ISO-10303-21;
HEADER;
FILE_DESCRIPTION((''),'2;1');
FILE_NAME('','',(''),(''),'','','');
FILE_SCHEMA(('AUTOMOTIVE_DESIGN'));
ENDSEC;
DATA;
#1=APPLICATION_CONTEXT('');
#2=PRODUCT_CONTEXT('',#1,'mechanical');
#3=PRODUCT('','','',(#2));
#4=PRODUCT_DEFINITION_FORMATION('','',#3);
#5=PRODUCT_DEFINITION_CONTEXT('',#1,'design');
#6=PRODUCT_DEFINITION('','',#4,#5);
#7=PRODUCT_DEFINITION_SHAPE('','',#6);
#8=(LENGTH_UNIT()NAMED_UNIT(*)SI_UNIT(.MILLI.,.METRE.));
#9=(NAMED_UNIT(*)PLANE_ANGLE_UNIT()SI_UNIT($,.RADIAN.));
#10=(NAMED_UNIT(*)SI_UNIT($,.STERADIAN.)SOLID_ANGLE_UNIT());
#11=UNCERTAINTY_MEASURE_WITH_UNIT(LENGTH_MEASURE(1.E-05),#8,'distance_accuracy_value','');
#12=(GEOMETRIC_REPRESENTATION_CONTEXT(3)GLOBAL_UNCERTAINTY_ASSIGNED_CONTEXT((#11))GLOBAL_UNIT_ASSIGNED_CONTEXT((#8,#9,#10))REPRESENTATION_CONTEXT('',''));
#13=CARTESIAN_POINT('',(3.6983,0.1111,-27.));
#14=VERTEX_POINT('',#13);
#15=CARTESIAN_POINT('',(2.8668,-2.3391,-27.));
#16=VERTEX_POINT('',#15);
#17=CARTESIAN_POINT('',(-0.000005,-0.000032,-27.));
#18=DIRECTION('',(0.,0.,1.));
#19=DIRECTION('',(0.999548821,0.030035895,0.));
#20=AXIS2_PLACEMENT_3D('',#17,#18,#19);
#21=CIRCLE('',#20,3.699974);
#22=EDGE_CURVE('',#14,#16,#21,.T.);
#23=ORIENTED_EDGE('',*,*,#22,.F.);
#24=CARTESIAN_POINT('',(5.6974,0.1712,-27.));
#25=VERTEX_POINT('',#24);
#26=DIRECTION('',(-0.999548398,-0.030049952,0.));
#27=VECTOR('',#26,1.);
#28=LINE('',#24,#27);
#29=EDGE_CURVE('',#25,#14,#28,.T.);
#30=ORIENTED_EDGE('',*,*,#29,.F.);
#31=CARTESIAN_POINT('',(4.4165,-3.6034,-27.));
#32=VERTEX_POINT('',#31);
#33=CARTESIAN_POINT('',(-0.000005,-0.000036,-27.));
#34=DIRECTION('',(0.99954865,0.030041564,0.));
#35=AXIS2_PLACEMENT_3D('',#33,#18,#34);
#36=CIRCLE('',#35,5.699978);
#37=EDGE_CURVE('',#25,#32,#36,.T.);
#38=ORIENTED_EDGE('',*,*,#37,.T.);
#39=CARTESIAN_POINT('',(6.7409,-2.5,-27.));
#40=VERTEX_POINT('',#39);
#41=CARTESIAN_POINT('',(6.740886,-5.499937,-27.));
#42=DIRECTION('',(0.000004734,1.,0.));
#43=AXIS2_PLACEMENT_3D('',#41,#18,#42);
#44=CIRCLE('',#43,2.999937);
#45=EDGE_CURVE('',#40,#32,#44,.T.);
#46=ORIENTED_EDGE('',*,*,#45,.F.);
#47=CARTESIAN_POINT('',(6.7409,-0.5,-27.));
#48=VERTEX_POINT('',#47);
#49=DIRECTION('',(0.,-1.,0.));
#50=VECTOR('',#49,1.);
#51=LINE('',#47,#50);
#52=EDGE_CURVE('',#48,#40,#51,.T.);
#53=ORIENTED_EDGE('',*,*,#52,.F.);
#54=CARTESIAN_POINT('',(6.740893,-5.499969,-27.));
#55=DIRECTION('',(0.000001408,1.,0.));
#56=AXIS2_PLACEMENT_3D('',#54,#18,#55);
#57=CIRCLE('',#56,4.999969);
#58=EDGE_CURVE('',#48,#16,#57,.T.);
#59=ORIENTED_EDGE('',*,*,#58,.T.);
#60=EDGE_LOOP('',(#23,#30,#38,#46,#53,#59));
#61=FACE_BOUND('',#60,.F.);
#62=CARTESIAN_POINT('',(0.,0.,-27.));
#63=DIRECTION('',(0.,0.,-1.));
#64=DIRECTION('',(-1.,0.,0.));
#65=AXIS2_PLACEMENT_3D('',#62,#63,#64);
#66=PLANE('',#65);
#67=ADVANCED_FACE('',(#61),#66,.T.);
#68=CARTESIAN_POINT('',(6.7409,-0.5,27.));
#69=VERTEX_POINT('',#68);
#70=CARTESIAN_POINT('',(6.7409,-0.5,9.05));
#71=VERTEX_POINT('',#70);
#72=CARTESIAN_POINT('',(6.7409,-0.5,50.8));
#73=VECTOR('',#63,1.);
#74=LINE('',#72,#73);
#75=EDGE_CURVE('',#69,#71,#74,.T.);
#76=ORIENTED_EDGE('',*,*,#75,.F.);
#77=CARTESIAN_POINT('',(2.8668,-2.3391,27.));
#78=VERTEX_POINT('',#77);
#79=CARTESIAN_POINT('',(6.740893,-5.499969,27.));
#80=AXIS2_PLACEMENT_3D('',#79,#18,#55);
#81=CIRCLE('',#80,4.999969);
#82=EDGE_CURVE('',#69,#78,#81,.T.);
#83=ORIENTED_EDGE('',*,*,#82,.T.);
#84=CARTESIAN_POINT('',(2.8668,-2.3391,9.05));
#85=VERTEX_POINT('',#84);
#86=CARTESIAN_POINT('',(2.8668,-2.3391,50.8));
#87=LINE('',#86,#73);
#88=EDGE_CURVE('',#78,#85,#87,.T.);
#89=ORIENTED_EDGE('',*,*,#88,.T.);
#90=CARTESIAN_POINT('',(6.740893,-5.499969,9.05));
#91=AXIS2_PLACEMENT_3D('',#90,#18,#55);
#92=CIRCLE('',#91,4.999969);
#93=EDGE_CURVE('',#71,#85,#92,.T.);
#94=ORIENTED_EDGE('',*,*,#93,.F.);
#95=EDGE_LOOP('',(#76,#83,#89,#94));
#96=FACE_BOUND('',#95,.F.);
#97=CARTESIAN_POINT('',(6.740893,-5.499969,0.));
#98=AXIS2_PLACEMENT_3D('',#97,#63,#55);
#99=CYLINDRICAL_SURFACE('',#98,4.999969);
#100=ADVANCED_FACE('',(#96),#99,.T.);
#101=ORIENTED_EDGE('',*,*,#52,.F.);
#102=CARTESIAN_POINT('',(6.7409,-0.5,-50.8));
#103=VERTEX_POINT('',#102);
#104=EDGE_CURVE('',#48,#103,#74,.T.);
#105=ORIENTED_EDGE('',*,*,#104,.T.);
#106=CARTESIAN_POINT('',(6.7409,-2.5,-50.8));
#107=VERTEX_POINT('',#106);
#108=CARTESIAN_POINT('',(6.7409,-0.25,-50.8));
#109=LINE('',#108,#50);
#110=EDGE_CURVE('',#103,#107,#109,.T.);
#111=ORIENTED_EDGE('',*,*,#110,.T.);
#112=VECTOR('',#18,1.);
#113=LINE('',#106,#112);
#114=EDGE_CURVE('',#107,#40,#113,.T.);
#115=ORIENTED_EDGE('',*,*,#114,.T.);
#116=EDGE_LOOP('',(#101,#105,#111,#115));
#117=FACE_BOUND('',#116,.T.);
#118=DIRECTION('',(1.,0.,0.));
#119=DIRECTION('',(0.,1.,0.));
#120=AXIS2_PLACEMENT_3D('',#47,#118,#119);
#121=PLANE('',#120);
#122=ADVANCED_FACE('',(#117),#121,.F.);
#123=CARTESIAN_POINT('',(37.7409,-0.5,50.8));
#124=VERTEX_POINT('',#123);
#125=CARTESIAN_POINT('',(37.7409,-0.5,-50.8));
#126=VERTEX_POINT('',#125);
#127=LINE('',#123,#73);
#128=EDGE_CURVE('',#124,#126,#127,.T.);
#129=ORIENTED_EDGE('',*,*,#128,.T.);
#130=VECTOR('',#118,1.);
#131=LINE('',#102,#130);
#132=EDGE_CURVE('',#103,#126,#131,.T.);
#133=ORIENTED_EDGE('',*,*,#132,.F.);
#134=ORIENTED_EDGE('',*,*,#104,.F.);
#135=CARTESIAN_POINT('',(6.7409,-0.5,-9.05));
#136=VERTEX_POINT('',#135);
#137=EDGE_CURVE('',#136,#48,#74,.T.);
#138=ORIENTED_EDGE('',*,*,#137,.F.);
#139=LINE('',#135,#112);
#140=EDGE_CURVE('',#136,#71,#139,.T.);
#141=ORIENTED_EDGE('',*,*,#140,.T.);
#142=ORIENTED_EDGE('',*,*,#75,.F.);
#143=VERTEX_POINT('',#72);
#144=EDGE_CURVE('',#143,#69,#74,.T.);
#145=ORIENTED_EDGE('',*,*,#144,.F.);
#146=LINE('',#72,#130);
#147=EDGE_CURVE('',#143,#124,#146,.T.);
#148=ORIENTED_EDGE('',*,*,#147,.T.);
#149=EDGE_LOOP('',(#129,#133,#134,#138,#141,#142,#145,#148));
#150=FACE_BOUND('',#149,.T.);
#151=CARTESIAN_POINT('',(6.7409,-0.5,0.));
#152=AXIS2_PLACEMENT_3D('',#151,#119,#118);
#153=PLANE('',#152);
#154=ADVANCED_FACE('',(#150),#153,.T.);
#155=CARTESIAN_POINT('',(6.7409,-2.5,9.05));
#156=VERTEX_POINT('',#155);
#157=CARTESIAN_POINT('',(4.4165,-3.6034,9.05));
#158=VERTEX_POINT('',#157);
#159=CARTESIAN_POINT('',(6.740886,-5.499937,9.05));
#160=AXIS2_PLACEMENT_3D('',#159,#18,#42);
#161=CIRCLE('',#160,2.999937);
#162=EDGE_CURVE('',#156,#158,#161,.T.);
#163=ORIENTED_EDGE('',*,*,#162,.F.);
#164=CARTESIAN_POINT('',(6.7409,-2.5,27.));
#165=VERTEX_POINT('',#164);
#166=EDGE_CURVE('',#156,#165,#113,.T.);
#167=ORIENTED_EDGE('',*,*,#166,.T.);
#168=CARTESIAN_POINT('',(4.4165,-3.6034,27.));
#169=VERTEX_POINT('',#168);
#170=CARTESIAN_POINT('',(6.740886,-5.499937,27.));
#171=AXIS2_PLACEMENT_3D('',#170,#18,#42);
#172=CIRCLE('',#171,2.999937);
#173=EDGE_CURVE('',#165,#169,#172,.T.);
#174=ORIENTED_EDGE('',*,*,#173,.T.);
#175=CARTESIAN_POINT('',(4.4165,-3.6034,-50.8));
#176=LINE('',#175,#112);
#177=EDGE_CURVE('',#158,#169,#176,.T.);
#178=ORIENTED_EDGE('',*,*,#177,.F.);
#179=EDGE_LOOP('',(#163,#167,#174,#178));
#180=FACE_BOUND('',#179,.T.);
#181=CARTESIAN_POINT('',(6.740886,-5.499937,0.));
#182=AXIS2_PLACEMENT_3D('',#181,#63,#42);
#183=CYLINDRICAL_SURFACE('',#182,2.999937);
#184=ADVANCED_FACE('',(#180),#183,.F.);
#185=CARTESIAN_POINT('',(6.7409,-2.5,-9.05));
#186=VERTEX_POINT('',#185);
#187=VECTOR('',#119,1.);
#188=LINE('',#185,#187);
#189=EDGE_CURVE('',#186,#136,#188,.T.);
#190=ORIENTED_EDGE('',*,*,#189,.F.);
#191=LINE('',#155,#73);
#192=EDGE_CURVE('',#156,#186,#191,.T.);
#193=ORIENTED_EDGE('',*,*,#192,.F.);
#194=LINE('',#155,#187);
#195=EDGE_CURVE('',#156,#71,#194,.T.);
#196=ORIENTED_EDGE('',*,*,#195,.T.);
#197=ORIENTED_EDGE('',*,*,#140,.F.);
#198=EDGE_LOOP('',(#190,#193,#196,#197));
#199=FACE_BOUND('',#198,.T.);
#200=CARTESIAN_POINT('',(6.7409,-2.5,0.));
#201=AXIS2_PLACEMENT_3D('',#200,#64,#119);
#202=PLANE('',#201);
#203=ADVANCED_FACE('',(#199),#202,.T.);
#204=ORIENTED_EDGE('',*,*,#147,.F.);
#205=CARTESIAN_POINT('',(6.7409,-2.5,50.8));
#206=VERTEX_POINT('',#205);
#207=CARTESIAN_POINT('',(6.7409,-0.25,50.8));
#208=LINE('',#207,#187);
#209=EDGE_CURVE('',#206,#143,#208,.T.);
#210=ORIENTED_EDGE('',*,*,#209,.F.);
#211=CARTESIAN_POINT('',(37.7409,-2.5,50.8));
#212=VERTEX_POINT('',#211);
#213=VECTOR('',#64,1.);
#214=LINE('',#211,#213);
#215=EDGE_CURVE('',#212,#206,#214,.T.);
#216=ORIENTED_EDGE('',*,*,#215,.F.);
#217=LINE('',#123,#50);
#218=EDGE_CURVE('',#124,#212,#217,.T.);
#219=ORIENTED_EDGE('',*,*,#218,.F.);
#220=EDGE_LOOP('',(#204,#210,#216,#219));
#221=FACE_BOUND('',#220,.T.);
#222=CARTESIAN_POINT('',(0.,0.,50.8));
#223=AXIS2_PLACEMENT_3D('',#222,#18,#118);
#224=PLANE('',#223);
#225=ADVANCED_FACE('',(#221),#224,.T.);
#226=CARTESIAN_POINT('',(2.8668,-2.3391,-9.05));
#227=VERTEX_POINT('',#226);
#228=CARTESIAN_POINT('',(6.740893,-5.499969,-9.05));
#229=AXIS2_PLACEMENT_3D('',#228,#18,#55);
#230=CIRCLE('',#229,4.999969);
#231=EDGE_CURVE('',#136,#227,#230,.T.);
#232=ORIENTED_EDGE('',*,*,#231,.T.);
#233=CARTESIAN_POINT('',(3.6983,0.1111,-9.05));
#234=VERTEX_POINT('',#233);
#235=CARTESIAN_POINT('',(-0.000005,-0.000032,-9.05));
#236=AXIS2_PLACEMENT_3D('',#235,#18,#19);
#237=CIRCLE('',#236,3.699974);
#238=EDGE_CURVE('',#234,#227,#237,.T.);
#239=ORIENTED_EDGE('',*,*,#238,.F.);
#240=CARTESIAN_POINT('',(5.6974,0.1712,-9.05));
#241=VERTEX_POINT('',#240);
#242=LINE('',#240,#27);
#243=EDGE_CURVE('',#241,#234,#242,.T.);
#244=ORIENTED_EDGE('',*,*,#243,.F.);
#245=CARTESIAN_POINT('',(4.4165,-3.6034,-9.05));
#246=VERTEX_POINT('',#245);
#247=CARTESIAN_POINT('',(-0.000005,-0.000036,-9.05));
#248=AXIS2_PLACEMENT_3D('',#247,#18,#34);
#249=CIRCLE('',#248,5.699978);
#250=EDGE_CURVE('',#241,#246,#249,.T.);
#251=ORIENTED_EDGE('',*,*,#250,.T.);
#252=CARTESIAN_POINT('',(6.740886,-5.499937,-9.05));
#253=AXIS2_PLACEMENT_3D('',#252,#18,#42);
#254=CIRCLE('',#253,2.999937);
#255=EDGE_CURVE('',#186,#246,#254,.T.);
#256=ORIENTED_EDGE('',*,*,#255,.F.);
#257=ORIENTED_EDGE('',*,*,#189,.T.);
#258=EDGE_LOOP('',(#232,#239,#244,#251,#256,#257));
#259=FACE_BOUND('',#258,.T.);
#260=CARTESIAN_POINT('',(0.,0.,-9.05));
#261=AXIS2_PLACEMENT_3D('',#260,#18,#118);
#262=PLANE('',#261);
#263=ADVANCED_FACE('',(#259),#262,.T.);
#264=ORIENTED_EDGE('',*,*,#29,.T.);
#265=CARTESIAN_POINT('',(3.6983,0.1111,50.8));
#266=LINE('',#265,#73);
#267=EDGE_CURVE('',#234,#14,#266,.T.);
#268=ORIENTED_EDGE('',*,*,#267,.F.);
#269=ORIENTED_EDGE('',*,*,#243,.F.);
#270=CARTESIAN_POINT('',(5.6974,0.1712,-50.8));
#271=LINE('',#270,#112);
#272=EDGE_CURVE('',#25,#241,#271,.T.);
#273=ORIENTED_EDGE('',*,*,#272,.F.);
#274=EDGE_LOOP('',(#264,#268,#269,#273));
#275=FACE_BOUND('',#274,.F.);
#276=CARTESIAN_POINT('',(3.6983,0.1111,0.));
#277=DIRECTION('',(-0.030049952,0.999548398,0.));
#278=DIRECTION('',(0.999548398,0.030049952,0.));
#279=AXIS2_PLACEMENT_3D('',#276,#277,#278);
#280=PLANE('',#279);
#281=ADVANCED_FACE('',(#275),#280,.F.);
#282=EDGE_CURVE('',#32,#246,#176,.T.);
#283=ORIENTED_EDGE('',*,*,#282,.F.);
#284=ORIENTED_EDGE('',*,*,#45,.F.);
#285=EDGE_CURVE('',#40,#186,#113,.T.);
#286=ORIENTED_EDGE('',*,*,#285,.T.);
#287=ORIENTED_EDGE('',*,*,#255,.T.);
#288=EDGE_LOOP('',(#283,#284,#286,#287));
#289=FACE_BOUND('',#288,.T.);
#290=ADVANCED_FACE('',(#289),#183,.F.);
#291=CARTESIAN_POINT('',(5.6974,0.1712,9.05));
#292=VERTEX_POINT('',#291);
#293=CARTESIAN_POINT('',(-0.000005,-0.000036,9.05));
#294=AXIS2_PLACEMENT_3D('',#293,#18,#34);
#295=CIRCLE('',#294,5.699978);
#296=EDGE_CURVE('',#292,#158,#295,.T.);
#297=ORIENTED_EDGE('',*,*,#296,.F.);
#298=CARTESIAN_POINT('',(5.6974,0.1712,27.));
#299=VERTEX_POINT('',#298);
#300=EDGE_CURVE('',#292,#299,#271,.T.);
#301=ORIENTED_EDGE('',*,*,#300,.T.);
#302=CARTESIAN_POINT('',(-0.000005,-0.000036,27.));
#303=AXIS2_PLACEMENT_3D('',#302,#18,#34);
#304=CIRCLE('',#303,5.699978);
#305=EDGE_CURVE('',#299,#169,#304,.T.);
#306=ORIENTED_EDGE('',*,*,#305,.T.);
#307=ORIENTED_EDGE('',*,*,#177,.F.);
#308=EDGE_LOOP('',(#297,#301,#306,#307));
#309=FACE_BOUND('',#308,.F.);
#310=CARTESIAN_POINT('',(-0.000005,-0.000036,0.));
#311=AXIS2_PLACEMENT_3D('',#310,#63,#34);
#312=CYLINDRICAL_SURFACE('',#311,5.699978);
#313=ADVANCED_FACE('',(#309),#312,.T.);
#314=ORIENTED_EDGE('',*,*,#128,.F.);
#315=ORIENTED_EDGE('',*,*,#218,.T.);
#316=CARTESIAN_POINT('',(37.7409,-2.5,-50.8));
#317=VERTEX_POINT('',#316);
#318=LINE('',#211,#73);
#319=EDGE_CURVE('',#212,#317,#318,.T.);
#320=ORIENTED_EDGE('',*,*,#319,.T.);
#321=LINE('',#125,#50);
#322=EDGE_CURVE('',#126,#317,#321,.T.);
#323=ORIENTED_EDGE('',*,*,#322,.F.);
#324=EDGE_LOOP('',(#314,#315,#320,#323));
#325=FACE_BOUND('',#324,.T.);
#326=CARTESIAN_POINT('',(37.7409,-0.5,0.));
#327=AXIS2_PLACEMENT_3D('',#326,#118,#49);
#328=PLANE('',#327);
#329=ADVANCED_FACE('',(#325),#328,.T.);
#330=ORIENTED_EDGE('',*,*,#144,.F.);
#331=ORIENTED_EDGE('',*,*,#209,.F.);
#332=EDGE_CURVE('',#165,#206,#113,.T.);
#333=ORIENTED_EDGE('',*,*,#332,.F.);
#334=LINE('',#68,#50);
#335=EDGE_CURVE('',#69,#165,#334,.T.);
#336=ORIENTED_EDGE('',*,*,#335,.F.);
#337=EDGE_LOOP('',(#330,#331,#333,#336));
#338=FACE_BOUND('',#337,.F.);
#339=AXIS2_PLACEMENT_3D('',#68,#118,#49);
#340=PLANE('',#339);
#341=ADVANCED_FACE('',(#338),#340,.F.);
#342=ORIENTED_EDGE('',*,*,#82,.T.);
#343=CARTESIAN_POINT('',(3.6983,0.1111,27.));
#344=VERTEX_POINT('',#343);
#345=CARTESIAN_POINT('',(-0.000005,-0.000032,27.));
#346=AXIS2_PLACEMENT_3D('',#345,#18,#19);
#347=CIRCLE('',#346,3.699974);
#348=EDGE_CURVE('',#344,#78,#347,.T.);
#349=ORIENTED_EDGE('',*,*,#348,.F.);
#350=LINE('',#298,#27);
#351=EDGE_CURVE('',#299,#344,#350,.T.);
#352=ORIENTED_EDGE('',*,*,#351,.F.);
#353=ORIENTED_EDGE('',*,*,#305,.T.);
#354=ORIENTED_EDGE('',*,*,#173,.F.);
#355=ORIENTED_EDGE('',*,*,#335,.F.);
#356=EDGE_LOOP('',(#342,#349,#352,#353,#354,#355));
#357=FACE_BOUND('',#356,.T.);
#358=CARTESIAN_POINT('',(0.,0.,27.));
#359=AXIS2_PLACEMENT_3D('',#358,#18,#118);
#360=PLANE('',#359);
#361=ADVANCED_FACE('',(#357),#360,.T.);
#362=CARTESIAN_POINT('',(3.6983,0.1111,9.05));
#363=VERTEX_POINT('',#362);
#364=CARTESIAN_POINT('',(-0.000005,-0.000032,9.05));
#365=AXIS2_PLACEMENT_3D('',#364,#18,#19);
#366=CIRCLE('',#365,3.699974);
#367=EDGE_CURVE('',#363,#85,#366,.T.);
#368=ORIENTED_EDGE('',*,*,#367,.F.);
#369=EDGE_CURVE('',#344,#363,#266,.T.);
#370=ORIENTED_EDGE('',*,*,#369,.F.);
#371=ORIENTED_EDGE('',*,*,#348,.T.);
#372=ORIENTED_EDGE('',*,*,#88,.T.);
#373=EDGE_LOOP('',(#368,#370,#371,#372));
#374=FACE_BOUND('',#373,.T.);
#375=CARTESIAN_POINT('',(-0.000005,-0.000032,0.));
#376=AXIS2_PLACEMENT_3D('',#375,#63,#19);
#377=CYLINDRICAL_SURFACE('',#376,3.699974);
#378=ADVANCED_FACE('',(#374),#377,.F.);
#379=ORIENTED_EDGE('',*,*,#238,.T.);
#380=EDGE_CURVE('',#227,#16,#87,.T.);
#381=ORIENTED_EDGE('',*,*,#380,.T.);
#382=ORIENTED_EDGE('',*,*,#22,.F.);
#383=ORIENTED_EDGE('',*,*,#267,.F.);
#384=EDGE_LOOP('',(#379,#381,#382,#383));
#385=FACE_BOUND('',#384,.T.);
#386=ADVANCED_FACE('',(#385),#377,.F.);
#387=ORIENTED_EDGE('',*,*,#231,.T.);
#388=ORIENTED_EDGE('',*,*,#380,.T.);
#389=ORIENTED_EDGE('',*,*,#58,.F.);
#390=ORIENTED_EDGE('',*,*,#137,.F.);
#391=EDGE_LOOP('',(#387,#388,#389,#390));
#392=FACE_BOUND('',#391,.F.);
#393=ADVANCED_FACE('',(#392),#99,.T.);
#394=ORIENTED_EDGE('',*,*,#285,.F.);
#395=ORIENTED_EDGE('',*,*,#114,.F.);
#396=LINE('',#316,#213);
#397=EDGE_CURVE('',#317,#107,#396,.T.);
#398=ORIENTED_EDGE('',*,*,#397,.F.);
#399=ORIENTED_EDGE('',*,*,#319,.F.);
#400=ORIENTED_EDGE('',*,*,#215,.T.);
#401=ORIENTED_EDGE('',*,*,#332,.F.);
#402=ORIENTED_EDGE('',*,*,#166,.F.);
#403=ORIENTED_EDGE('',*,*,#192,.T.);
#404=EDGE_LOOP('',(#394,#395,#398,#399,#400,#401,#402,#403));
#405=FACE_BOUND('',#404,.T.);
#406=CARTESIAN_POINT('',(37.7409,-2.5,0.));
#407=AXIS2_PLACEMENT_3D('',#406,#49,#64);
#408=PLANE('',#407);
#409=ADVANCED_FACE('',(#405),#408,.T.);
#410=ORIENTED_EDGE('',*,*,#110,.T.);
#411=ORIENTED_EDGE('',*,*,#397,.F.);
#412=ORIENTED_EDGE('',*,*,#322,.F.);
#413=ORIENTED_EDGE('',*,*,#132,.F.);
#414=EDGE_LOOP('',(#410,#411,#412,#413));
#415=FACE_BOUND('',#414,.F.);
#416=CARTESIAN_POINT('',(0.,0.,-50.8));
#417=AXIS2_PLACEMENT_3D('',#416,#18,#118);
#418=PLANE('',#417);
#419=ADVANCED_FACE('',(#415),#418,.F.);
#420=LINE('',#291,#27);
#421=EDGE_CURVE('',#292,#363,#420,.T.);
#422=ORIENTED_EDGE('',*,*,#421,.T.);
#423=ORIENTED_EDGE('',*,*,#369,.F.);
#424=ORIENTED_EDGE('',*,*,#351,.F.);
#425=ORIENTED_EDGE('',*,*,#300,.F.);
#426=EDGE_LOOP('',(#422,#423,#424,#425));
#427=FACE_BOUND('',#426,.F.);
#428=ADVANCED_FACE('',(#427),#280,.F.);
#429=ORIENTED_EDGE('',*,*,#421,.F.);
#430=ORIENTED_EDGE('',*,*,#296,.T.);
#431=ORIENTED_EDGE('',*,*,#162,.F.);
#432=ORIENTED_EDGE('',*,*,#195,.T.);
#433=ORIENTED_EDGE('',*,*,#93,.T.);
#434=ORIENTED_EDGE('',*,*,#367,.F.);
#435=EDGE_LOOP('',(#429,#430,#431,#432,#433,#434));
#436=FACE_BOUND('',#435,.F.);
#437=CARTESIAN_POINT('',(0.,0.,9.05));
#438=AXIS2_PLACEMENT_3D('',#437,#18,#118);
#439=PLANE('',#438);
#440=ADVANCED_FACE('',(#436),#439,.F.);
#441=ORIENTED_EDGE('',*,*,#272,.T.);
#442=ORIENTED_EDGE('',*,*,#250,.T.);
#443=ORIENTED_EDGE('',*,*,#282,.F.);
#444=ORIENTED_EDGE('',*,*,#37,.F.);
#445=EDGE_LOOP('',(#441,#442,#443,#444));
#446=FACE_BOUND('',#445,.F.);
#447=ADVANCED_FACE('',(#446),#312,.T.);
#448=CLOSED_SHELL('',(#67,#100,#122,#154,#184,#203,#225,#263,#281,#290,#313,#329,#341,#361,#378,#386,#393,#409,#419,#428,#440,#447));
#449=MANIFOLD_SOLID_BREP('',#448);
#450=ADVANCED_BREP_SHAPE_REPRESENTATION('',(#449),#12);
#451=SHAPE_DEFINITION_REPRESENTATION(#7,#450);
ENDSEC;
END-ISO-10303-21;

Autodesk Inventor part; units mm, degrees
ref_plane "YZ Plane" through (0, 0, 0) normal (1, 0, 0) x (0, 1, 0)
ref_plane "XZ Plane" through (0, 0, 0) normal (0, 1, 0) x (-1, 0, 0)
sketch "Sketch1" plane through (0, 0, 0) normal (0, 0, 1) x (1, 0, 0)
  arc A0 (5.6974, 0.1712) -> (4.4165, -3.6034) centre (0, 0) ccw
  line L0 (37.7409, -2.5) -> (6.7409, -2.5)
  arc A1 (3.6983, 0.1111) -> (2.8668, -2.3391) centre (0, 0) ccw
  line L1 (6.7409, -0.5) -> (37.7409, -0.5)
  line L2 (37.7409, -0.5) -> (37.7409, -2.5)
  arc A2 (6.7409, -2.5) -> (4.4165, -3.6034) centre (6.7409, -5.5) ccw
  arc A3 (6.7409, -0.5) -> (2.8668, -2.3391) centre (6.7409, -5.5) ccw
  line L3 (3.6983, 0.1111) -> (5.6974, 0.1712)
  point P0 (5.1225, -2.5)
  dimension "d0" = 11.4
  dimension "d1" = 2
  dimension "d2" = 3
  dimension "d3" = 5
  dimension "d4" = 2
  dimension "d5" = 31
  dimension "d8" = 0.5
  dimension "d9" = 0.7
extrude "Extrusion1" add sketch "Sketch1" along normal mid plane 101.6
ref_plane "Work Plane1" through (0, 0, 27) normal (0, 0, 1) x (1, 0, 0)
sketch "Sketch2" plane through (0, 0, 27) normal (0, 0, 1) x (1, 0, 0)
  arc A0 (6.7409, -2.5) -> (4.4165, -3.6034) centre (6.7409, -5.5) ccw projected
  arc A1 (5.6974, 0.1712) -> (4.4165, -3.6034) centre (0, 0) ccw projected
  line L0 (5.6974, 0.1712) -> (3.6983, 0.1111) projected
  arc A2 (3.6983, 0.1111) -> (2.8668, -2.3391) centre (0, 0) ccw projected
  arc A3 (6.7409, -0.5) -> (2.8668, -2.3391) centre (6.7409, -5.5) ccw projected
  line L1 (6.7409, -0.5) -> (37.7409, -0.5) construction
  line L2 (37.7409, -0.5) -> (37.7409, -2.5) construction
  line L3 (37.7409, -2.5) -> (6.7409, -2.5) construction
  line L4 (6.7409, -0.5) -> (6.7409, -2.5)
extrude "Extrusion2" cut sketch "Sketch2" along normal through all
mirror "Mirror1" about plane through (0, 0, 0) normal (0, 0, 1) of "Extrusion2"
sketch "Sketch3" plane through (0, 0, 0) normal (0, 0, 1) x (1, 0, 0)
  arc A0 (6.7409, -0.5) -> (2.8668, -2.3391) centre (6.7409, -5.5) ccw projected
  line L0 (6.7409, -0.5) -> (37.7409, -0.5) construction
  line L1 (37.7409, -0.5) -> (37.7409, -2.5) projected
  line L2 (37.7409, -2.5) -> (6.7409, -2.5) construction
  arc A1 (6.7409, -2.5) -> (4.4165, -3.6034) centre (6.7409, -5.5) ccw projected
  arc A2 (5.6974, 0.1712) -> (4.4165, -3.6034) centre (0, 0) ccw projected
  line L3 (5.6974, 0.1712) -> (3.6983, 0.1111) projected
  arc A3 (3.6983, 0.1111) -> (2.8668, -2.3391) centre (0, 0) ccw projected
  line L4 (6.7409, -2.5) -> (6.7409, -0.5) projected
  line L5 (6.7409, -2.5) -> (6.7409, -0.5)
extrude "Extrusion3" cut sketch "Sketch3" along normal mid plane 18.1
equation "\"d1\" = d4"
equation "\"d3\" = d2 + d4"
properties part number "HINGE PLATE 2" material "Stainless Steel"
